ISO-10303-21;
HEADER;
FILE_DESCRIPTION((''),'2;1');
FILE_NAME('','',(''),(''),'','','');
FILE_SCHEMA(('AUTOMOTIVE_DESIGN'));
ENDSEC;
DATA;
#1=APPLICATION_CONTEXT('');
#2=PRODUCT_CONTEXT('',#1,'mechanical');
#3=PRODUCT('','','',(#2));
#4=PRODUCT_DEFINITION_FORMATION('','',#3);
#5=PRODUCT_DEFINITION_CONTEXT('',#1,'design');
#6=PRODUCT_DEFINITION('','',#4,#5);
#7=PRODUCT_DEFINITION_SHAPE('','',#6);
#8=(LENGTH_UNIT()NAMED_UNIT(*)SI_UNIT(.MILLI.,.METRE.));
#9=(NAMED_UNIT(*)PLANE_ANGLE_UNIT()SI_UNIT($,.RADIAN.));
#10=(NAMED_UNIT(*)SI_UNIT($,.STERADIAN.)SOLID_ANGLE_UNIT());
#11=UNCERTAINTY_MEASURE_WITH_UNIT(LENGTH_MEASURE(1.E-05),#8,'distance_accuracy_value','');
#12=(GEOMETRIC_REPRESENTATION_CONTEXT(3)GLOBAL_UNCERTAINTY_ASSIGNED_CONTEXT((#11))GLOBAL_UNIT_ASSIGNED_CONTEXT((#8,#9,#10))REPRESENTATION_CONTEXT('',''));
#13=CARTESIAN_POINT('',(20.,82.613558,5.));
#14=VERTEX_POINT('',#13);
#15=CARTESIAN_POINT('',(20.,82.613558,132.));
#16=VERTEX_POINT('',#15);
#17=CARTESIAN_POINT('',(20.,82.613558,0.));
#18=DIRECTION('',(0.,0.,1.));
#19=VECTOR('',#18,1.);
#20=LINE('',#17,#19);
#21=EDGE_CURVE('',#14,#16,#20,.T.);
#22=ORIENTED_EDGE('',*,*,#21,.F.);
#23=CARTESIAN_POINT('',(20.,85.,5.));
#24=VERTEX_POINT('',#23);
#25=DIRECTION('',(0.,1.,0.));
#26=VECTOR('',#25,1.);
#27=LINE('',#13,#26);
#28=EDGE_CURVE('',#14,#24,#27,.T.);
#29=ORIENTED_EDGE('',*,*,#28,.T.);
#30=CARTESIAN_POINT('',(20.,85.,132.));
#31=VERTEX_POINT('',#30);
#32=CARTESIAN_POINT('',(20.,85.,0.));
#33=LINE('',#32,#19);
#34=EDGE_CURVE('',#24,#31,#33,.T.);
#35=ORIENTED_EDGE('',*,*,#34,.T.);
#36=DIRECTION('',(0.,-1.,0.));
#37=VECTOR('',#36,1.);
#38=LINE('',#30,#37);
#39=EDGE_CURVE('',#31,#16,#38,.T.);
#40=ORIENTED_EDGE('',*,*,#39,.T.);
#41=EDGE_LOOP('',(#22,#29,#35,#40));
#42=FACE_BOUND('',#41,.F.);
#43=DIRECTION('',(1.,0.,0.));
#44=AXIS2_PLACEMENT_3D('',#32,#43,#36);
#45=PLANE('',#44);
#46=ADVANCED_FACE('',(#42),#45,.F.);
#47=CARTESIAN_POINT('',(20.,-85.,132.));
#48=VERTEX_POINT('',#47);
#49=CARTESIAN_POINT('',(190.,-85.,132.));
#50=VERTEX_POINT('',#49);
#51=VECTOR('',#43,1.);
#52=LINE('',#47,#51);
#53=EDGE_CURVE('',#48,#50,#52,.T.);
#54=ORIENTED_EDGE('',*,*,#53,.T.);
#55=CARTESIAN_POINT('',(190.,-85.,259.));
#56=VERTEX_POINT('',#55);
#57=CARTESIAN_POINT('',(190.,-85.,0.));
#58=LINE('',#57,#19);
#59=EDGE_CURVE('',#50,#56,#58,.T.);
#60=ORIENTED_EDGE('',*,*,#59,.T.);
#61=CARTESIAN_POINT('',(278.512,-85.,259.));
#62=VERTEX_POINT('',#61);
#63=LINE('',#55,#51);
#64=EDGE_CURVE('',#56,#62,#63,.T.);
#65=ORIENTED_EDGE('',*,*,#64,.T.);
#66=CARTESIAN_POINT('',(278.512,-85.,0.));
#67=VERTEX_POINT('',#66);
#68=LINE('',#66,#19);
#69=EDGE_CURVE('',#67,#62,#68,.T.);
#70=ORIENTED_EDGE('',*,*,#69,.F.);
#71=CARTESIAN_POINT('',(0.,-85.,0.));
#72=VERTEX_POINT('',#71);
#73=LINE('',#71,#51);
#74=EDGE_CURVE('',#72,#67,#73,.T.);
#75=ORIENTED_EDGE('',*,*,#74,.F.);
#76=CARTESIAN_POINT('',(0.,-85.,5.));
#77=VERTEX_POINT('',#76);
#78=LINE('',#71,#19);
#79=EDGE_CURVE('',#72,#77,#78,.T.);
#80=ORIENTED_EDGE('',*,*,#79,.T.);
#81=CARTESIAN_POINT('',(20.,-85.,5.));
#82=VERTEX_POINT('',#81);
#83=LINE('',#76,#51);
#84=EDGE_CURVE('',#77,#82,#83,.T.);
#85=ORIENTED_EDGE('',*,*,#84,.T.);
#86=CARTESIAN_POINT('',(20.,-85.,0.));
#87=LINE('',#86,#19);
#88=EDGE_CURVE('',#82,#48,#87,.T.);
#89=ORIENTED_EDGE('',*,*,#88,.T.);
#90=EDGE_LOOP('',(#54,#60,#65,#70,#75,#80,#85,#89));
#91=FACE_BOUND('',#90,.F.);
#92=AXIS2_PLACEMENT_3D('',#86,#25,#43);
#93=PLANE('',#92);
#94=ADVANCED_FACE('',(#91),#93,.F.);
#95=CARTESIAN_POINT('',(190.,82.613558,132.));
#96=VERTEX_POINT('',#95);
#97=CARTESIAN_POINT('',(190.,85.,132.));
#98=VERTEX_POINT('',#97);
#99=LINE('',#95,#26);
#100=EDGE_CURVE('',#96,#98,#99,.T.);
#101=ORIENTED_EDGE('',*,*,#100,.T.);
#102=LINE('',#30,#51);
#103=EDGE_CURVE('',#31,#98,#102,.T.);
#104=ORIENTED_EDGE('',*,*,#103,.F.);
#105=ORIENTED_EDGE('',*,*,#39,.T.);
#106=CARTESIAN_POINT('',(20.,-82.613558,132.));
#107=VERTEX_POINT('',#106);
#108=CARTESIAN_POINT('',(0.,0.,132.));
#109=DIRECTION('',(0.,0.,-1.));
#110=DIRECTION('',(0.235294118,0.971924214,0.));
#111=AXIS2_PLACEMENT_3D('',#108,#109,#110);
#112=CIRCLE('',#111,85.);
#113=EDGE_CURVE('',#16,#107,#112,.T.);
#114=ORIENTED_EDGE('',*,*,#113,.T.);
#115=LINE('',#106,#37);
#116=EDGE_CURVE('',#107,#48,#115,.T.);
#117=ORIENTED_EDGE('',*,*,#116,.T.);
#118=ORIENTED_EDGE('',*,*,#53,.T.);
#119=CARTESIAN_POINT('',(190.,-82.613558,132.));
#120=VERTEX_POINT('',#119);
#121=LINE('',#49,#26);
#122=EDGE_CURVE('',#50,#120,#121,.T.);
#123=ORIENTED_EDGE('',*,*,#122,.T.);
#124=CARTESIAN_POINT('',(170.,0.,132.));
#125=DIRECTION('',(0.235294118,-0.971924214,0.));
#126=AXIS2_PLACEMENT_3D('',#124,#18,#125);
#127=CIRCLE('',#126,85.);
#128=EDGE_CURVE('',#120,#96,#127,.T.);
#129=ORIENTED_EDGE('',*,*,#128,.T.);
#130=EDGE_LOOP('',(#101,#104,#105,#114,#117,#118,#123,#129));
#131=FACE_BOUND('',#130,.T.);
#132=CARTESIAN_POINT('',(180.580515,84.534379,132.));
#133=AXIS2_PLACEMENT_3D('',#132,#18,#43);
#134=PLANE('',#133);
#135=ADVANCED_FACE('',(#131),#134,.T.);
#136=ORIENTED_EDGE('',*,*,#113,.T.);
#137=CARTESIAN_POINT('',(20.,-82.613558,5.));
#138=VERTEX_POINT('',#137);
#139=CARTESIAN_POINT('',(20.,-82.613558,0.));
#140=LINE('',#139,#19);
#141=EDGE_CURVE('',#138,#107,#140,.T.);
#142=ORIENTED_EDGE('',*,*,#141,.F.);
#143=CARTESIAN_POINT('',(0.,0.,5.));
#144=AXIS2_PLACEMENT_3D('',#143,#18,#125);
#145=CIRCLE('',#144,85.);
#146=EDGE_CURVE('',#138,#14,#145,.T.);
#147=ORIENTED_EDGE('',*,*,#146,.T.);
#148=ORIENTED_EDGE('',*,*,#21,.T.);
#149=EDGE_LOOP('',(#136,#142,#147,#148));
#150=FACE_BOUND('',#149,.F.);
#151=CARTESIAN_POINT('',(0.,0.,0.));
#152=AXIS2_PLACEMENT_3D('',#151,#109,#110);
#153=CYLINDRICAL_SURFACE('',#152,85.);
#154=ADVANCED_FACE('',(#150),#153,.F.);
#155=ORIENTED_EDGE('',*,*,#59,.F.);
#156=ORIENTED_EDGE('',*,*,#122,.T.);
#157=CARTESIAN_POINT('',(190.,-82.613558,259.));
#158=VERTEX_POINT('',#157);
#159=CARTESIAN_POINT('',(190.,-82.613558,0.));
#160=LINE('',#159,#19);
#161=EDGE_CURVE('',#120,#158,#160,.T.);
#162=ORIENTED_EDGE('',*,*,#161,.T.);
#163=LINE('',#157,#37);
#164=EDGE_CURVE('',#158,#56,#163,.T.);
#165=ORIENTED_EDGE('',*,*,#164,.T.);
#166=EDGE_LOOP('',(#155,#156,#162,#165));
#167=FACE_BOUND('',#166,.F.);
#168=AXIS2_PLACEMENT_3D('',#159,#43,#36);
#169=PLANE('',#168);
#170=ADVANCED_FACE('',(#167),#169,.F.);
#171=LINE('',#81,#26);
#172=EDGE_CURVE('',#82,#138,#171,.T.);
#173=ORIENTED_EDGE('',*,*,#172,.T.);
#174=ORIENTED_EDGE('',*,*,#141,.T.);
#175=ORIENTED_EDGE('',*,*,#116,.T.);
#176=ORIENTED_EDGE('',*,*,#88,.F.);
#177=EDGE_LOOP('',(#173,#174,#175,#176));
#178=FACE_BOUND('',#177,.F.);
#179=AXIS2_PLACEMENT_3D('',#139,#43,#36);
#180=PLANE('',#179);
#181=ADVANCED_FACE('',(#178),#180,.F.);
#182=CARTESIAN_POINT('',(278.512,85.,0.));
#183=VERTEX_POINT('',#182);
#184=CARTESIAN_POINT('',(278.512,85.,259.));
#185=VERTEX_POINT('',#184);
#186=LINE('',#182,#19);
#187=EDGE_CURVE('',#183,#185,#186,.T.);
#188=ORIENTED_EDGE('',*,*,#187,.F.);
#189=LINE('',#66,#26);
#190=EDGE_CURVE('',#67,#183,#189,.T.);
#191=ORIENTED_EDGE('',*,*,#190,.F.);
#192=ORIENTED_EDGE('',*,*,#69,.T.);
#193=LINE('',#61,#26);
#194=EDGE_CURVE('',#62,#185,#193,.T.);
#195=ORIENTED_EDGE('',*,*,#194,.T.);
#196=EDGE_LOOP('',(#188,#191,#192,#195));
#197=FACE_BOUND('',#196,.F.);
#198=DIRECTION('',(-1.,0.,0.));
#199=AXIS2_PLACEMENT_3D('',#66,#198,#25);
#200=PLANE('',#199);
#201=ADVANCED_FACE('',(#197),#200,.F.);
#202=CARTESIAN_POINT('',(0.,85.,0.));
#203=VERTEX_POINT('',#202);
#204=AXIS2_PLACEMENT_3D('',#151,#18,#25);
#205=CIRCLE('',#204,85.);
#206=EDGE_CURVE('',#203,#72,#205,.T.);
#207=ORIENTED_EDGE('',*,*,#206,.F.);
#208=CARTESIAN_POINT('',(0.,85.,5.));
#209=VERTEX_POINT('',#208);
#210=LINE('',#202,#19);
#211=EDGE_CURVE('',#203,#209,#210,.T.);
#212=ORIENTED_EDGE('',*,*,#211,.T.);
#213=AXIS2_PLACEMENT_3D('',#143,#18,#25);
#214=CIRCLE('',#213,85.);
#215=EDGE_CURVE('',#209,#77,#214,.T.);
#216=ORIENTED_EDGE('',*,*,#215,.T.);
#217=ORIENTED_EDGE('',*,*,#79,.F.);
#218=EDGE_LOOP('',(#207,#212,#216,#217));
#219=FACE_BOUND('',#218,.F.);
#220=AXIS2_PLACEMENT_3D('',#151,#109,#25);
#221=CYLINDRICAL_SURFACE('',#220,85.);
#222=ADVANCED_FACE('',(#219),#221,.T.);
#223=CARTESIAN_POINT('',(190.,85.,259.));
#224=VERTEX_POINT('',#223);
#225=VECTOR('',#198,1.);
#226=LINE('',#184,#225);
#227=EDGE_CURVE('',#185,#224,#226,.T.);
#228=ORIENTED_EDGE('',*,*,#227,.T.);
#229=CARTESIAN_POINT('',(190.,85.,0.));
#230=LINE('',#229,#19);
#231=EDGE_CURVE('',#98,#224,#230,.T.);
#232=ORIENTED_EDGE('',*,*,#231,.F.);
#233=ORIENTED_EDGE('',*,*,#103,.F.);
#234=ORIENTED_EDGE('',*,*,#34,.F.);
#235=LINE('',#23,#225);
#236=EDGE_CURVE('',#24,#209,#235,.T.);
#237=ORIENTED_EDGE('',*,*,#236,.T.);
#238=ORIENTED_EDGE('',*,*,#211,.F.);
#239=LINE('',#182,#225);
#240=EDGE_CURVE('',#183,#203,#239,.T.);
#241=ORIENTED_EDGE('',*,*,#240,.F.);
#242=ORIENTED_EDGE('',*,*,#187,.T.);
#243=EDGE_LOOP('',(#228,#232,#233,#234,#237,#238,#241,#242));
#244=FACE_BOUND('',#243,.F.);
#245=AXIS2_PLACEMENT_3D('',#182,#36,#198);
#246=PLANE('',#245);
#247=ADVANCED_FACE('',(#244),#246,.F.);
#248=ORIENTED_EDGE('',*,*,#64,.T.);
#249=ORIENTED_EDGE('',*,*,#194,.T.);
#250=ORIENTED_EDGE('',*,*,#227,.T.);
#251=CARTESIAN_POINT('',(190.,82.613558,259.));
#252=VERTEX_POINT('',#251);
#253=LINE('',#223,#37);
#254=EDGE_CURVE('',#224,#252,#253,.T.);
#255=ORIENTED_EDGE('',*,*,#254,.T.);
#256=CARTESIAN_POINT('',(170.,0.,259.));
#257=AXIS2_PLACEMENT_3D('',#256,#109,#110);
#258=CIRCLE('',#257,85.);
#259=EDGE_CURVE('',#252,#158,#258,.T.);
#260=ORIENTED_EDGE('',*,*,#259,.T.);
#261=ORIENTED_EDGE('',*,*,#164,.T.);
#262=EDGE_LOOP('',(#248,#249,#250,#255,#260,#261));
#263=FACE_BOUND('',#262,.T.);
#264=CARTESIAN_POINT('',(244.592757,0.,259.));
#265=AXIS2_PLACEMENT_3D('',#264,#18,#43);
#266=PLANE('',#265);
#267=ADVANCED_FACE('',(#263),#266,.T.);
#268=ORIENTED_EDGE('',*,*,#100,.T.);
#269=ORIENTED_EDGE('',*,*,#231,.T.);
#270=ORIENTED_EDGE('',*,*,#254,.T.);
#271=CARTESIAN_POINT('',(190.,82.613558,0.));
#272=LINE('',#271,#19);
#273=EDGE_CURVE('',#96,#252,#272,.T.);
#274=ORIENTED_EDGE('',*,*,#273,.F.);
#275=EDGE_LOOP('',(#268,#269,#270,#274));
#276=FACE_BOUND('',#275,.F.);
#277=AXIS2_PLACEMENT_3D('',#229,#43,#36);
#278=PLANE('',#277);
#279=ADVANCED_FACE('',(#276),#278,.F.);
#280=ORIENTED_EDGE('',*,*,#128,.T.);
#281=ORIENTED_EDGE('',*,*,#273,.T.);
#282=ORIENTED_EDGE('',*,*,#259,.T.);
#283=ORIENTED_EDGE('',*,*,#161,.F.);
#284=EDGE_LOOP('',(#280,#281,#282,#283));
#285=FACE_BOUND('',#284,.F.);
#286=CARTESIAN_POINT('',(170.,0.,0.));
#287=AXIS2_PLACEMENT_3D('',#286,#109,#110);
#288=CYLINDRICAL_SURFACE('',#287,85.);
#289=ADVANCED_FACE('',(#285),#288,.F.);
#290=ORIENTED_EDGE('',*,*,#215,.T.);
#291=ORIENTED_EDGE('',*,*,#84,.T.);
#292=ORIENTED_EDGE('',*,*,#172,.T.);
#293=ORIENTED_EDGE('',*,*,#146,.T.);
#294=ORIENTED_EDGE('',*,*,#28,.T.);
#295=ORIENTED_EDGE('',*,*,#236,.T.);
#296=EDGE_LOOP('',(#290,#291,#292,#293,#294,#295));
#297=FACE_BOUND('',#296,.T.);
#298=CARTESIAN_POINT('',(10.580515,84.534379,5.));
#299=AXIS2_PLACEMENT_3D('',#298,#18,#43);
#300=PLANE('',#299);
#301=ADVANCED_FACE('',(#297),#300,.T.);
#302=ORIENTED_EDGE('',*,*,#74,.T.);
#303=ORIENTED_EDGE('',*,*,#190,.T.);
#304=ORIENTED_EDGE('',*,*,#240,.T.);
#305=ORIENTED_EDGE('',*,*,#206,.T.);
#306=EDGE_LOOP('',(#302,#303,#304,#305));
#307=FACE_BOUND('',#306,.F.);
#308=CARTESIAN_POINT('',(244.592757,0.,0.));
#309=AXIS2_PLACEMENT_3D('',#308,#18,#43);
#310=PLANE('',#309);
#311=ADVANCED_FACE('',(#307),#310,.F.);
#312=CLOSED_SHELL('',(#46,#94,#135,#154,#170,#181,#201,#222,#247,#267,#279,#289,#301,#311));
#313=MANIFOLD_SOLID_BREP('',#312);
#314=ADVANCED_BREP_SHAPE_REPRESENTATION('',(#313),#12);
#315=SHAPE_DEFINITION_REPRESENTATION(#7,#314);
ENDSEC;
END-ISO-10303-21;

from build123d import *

# Parameters (mm, degrees)
F1_DEPTH = 5
F2_DEPTH = 5
F3_DEPTH = 132
F4_DEPTH = 132
F5_DEPTH = 259


with BuildPart() as f1:
    # F0 (on Top) → F1 (new body)
    with BuildSketch(Plane.XY):
        with BuildLine():
            ThreePointArc((20, -82.6135582093), (66.8019460794, -52.5594901041), (85, 0))
            ThreePointArc((85, 0), (66.8019460794, 52.5594901041), (20, 82.6135582093))
            ThreePointArc((20, 82.6135582093), (10.0709372009, 84.4012809375), (0, 85))
            ThreePointArc((0, 85), (-85, 0), (0, -85))
            ThreePointArc((0, -85), (10.0709372009, -84.4012809375), (20, -82.6135582093))
        make_face()
    extrude(amount=F1_DEPTH)

    # F0 (on Top) → F2 (join)
    with BuildSketch(Plane.XY):
        with BuildLine():
            ThreePointArc((0, 85), (10.0709372009, 84.4012809375), (20, 82.6135582093))
            Line((20, 82.6135582093), (20, 85))
            Line((20, 85), (0, 85))
        make_face()
        with BuildLine():
            Line((20, -85), (20, -82.6135582093))
            ThreePointArc((20, -82.6135582093), (10.0709372009, -84.4012809375), (0, -85))
            Line((0, -85), (20, -85))
        make_face()
    extrude(amount=F2_DEPTH)

    # F0 (on Top) → F3 (join)
    with BuildSketch(Plane.XY):
        with BuildLine():
            ThreePointArc((170, -85), (109.8959235991, -60.1040764009), (85, 0))
            ThreePointArc((85, 0), (66.8019460794, -52.5594901041), (20, -82.6135582093))
            Line((20, -82.6135582093), (20, -85))
            Line((20, -85), (170, -85))
        make_face()
        with BuildLine():
            ThreePointArc((20, 82.6135582093), (66.8019460794, 52.5594901041), (85, 0))
            ThreePointArc((85, 0), (109.8959235991, 60.1040764009), (170, 85))
            Line((170, 85), (20, 85))
            Line((20, 85), (20, 82.6135582093))
        make_face()
        with BuildLine():
            ThreePointArc((170, 85), (109.8959235991, 60.1040764009), (85, 0))
            ThreePointArc((85, 0), (109.8959235991, -60.1040764009), (170, -85))
            ThreePointArc((170, -85), (180.0709372009, -84.4012809375), (190, -82.6135582093))
            ThreePointArc((190, -82.6135582093), (236.8019460794, -52.5594901041), (255, 0))
            ThreePointArc((255, 0), (236.8019460794, 52.5594901041), (190, 82.6135582093))
            ThreePointArc((190, 82.6135582093), (180.0709372009, 84.4012809375), (170, 85))
        make_face()
    extrude(amount=F3_DEPTH)

    # F0 (on Top) → F4 (join)
    with BuildSketch(Plane.XY):
        with BuildLine():
            Line((190, 85), (170, 85))
            ThreePointArc((170, 85), (180.0709372009, 84.4012809375), (190, 82.6135582093))
            Line((190, 82.6135582093), (190, 85))
        make_face()
        with BuildLine():
            ThreePointArc((190, -82.6135582093), (180.0709372009, -84.4012809375), (170, -85))
            Line((170, -85), (190, -85))
            Line((190, -85), (190, -82.6135582093))
        make_face()
    extrude(amount=F4_DEPTH)

    # F0 (on Top) → F5 (join)
    with BuildSketch(Plane.XY):
        with BuildLine():
            Line((248.512, 85), (190, 85))
            Line((190, 85), (190, 82.6135582093))
            ThreePointArc((190, 82.6135582093), (236.8019460794, 52.5594901041), (255, 0))
            ThreePointArc((255, 0), (236.8019460794, -52.5594901041), (190, -82.6135582093))
            Line((190, -82.6135582093), (190, -85))
            Line((190, -85), (248.512, -85))
            Line((248.512, -85), (278.512, -85))
            Line((278.512, -85), (278.512, 85))
            Line((278.512, 85), (248.512, 85))
        make_face()
    extrude(amount=F5_DEPTH)


solid = f1.part
